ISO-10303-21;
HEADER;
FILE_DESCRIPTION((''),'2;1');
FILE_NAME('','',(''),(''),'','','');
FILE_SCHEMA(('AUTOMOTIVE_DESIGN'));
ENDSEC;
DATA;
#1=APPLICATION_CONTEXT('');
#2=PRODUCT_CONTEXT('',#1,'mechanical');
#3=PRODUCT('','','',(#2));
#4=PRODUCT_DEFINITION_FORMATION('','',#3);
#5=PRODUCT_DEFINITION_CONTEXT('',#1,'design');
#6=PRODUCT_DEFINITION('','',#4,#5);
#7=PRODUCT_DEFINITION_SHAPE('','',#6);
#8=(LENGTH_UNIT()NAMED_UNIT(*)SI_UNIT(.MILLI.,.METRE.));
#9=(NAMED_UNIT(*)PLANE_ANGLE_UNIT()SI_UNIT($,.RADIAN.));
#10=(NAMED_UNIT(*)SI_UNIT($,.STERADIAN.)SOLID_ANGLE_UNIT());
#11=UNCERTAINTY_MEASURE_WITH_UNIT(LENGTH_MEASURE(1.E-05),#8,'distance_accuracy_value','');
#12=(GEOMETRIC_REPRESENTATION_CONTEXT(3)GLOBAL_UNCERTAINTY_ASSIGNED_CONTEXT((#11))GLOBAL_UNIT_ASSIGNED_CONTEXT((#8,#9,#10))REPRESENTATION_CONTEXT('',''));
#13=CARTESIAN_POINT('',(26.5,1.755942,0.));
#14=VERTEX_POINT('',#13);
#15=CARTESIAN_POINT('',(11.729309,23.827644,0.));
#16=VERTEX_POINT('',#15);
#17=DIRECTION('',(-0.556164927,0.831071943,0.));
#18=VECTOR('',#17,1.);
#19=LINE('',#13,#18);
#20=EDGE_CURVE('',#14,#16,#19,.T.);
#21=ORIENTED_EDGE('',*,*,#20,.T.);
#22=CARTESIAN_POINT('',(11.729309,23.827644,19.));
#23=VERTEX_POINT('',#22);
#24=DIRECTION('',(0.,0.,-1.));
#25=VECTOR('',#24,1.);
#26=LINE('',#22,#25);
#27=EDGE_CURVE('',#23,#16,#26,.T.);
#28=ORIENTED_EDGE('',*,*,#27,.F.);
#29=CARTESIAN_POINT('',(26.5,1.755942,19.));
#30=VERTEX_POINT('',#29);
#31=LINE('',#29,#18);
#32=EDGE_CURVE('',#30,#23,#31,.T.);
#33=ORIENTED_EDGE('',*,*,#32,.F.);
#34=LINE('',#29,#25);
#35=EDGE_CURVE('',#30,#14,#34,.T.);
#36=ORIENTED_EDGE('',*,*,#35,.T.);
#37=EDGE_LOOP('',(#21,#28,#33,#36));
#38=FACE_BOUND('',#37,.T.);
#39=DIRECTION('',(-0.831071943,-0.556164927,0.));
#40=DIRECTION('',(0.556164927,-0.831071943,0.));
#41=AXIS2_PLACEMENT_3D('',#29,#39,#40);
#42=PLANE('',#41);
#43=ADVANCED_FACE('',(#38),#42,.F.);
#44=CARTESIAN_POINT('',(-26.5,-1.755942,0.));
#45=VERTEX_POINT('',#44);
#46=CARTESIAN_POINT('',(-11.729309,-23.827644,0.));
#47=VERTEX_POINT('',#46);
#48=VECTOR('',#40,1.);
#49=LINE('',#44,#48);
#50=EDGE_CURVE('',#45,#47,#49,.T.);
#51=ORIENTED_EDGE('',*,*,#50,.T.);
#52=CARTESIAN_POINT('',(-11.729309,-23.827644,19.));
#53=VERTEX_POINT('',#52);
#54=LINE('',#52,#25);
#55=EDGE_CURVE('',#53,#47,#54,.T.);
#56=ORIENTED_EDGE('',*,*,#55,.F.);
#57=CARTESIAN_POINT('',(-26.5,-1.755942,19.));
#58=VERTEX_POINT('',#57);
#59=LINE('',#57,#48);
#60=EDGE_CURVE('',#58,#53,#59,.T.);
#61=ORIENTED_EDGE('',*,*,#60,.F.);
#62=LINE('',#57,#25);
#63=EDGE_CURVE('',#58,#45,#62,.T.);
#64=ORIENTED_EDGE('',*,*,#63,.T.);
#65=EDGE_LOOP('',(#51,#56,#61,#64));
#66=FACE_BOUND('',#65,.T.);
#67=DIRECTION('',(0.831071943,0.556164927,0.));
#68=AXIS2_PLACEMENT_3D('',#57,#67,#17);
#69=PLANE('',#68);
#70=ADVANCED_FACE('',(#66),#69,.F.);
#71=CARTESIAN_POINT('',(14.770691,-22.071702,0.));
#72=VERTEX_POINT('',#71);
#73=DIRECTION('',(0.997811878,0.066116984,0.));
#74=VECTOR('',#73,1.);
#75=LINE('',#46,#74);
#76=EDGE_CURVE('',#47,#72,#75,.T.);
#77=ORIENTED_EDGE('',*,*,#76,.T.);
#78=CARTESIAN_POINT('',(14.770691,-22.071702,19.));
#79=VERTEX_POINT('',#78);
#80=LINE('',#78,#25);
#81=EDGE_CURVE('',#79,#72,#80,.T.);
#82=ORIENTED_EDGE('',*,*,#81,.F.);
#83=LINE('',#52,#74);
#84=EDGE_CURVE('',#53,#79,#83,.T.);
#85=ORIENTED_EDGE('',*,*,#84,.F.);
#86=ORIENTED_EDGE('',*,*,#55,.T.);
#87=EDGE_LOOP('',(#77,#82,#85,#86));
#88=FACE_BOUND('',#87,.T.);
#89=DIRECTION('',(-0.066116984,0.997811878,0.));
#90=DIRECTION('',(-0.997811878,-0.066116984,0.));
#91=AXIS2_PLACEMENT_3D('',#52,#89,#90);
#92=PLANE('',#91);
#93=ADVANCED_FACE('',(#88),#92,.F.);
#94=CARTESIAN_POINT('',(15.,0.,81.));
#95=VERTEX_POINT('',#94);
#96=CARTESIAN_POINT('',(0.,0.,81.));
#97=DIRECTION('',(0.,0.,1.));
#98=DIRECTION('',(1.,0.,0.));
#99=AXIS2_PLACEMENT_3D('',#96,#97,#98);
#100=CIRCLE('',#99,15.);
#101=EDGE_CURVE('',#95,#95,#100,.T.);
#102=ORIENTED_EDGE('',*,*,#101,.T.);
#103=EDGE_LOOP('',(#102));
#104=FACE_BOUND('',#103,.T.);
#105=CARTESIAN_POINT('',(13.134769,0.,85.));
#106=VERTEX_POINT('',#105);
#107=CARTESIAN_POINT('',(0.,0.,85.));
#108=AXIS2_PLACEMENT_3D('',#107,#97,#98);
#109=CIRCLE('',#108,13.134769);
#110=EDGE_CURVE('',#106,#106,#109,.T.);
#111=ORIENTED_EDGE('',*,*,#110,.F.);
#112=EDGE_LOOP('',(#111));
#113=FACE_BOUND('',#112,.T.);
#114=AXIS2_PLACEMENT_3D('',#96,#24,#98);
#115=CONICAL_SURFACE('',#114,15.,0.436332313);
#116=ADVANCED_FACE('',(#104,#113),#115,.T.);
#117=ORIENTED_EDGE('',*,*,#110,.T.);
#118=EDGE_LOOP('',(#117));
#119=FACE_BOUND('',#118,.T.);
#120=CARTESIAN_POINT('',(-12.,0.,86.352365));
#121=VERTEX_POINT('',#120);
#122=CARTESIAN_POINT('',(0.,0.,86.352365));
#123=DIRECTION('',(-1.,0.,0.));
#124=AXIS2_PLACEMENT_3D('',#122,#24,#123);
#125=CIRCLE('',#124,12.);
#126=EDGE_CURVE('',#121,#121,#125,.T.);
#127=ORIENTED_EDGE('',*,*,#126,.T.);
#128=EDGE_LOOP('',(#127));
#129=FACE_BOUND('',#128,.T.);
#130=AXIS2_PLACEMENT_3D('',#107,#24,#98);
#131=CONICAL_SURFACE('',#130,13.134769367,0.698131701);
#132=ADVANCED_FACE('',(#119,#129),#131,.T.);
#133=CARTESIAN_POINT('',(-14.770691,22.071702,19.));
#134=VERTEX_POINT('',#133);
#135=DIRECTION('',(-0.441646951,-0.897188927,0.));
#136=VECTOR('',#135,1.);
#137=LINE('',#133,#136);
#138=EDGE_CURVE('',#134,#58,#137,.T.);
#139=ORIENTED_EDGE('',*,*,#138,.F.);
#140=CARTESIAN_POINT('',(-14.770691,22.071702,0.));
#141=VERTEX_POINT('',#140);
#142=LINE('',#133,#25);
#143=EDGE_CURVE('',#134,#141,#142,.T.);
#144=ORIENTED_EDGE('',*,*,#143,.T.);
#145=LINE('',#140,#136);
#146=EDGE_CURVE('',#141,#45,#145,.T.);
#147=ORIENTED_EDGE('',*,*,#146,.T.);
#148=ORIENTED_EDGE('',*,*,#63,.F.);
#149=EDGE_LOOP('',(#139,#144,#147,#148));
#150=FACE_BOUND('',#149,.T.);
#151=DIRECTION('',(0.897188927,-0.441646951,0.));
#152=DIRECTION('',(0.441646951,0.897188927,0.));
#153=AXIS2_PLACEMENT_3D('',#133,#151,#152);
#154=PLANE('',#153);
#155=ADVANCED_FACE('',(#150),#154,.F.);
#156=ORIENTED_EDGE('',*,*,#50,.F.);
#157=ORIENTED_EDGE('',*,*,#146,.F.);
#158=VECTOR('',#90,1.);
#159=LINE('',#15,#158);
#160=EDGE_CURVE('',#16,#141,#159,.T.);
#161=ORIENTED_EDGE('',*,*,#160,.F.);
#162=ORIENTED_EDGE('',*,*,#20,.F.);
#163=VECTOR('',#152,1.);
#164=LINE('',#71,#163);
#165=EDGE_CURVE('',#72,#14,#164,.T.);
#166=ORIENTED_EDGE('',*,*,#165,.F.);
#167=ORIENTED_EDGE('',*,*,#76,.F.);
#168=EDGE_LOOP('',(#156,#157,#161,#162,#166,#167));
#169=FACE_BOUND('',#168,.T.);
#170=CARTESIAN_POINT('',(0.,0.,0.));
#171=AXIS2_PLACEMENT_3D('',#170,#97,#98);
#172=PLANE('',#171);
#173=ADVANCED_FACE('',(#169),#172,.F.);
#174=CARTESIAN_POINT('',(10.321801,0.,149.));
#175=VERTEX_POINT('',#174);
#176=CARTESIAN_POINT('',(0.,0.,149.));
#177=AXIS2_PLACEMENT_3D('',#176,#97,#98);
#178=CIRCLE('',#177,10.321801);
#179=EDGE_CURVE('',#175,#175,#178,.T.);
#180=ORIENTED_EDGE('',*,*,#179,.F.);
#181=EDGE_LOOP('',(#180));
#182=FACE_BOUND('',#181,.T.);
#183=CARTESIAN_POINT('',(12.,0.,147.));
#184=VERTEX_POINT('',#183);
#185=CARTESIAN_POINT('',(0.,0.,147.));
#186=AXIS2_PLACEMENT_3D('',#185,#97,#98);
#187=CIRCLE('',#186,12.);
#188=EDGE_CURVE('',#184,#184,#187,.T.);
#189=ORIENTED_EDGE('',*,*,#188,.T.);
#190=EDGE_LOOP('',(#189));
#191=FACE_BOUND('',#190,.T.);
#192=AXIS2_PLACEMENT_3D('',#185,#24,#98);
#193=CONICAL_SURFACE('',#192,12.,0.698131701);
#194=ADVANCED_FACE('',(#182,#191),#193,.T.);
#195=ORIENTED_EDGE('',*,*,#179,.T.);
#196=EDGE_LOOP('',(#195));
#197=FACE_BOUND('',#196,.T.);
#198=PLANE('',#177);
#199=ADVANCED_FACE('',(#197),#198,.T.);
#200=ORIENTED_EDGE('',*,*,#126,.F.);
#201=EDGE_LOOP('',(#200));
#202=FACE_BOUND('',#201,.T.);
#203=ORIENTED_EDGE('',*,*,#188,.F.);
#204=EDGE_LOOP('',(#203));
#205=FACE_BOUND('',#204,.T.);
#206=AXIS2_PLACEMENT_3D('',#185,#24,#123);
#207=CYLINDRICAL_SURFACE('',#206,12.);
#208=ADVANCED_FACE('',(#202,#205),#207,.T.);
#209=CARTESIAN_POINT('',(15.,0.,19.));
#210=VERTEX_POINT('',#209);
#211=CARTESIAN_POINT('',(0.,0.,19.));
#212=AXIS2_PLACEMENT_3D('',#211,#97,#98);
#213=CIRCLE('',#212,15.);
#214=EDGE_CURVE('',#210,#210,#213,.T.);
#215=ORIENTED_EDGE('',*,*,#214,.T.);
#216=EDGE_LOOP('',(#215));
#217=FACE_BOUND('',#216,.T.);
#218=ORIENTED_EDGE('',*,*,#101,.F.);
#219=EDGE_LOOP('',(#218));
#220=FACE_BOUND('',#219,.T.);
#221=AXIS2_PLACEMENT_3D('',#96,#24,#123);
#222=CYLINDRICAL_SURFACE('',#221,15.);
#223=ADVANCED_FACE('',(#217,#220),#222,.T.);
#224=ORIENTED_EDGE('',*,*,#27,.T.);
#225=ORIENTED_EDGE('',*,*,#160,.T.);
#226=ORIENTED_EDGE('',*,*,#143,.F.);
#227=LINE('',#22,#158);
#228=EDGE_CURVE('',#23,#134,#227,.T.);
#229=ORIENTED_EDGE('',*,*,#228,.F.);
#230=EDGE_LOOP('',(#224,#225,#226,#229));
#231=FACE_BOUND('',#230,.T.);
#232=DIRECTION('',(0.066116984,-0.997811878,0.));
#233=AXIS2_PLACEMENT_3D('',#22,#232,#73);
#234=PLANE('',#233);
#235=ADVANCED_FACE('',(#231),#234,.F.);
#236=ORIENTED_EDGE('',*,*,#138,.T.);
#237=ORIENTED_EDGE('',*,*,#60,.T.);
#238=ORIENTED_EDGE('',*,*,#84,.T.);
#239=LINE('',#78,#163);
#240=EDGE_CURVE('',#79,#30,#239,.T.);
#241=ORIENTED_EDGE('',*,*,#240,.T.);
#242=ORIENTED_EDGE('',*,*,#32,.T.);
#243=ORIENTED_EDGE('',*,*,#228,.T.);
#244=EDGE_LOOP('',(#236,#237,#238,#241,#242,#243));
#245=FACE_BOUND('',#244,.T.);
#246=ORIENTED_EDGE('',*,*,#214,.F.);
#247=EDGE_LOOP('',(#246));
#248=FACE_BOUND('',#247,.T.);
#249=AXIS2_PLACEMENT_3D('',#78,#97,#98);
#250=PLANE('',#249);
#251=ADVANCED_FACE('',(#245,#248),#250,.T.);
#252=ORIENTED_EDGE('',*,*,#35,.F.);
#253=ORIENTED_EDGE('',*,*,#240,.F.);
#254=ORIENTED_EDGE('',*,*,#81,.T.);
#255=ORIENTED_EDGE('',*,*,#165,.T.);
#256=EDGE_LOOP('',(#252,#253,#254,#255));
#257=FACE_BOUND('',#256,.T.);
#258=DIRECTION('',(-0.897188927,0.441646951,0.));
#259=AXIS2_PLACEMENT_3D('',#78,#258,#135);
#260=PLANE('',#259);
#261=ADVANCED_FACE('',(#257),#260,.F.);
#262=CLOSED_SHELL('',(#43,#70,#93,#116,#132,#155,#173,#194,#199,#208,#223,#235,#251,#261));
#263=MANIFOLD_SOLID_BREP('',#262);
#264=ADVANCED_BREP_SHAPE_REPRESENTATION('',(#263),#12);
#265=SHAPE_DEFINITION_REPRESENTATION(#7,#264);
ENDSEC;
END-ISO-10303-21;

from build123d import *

# Parameters (mm, degrees)
SKETCH_1_R      = 15
EXTRUDE_1_DEPTH = 1
EXTRUDE_2_DEPTH = 19
SKETCH_9_R      = 15
EXTRUDE_3_DEPTH = 62
SKETCH_11_R     = 15
EXTRUDE_6_DEPTH = 4
EXTRUDE_6_TAPER = 25
SKETCH_12_R     = 12
EXTRUDE_7_DEPTH = 62
SKETCH_13_R     = 13.134769367
EXTRUDE_8_DEPTH = 2
EXTRUDE_8_TAPER = 40
SKETCH_15_R     = 12
EXTRUDE_9_DEPTH = 2
EXTRUDE_9_TAPER = 40


with BuildPart() as part:
    # 草图1 → 拉伸1 (new body)
    with BuildSketch(Plane.XY):
        Circle(SKETCH_1_R)
    extrude(amount=EXTRUDE_1_DEPTH)

    # 草图2 → 拉伸2 (add)
    with BuildSketch(Plane.XY):
        Polygon((14.770690633, -22.071702054), (26.5, 1.755942292), (11.729309367, 23.827644346), (-14.770690633, 22.071702054), (-26.5, -1.755942292), (-11.729309367, -23.827644346), align=None)
    extrude(amount=EXTRUDE_2_DEPTH)

    # 草图9 → 拉伸3 (add)
    with BuildSketch(Plane.XY.offset(19)):
        Circle(SKETCH_9_R)
    extrude(amount=EXTRUDE_3_DEPTH)

    # 草图11 → 拉伸6 (add)
    with BuildSketch(Plane.XY.offset(81)):
        Circle(SKETCH_11_R)
    extrude(amount=EXTRUDE_6_DEPTH, taper=EXTRUDE_6_TAPER)

    # 草图12 → 拉伸7 (add)
    with BuildSketch(Plane.XY.offset(85)):
        Circle(SKETCH_12_R)
    extrude(amount=EXTRUDE_7_DEPTH)

    # 草图13 → 拉伸8 (add)
    with BuildSketch(Plane.XY.offset(85)):
        Circle(SKETCH_13_R)
    extrude(amount=EXTRUDE_8_DEPTH, taper=EXTRUDE_8_TAPER)

    # 草图15 → 拉伸9 (add)
    with BuildSketch(Plane.XY.offset(147)):
        Circle(SKETCH_15_R)
    extrude(amount=EXTRUDE_9_DEPTH, taper=EXTRUDE_9_TAPER)


solid = part.part
